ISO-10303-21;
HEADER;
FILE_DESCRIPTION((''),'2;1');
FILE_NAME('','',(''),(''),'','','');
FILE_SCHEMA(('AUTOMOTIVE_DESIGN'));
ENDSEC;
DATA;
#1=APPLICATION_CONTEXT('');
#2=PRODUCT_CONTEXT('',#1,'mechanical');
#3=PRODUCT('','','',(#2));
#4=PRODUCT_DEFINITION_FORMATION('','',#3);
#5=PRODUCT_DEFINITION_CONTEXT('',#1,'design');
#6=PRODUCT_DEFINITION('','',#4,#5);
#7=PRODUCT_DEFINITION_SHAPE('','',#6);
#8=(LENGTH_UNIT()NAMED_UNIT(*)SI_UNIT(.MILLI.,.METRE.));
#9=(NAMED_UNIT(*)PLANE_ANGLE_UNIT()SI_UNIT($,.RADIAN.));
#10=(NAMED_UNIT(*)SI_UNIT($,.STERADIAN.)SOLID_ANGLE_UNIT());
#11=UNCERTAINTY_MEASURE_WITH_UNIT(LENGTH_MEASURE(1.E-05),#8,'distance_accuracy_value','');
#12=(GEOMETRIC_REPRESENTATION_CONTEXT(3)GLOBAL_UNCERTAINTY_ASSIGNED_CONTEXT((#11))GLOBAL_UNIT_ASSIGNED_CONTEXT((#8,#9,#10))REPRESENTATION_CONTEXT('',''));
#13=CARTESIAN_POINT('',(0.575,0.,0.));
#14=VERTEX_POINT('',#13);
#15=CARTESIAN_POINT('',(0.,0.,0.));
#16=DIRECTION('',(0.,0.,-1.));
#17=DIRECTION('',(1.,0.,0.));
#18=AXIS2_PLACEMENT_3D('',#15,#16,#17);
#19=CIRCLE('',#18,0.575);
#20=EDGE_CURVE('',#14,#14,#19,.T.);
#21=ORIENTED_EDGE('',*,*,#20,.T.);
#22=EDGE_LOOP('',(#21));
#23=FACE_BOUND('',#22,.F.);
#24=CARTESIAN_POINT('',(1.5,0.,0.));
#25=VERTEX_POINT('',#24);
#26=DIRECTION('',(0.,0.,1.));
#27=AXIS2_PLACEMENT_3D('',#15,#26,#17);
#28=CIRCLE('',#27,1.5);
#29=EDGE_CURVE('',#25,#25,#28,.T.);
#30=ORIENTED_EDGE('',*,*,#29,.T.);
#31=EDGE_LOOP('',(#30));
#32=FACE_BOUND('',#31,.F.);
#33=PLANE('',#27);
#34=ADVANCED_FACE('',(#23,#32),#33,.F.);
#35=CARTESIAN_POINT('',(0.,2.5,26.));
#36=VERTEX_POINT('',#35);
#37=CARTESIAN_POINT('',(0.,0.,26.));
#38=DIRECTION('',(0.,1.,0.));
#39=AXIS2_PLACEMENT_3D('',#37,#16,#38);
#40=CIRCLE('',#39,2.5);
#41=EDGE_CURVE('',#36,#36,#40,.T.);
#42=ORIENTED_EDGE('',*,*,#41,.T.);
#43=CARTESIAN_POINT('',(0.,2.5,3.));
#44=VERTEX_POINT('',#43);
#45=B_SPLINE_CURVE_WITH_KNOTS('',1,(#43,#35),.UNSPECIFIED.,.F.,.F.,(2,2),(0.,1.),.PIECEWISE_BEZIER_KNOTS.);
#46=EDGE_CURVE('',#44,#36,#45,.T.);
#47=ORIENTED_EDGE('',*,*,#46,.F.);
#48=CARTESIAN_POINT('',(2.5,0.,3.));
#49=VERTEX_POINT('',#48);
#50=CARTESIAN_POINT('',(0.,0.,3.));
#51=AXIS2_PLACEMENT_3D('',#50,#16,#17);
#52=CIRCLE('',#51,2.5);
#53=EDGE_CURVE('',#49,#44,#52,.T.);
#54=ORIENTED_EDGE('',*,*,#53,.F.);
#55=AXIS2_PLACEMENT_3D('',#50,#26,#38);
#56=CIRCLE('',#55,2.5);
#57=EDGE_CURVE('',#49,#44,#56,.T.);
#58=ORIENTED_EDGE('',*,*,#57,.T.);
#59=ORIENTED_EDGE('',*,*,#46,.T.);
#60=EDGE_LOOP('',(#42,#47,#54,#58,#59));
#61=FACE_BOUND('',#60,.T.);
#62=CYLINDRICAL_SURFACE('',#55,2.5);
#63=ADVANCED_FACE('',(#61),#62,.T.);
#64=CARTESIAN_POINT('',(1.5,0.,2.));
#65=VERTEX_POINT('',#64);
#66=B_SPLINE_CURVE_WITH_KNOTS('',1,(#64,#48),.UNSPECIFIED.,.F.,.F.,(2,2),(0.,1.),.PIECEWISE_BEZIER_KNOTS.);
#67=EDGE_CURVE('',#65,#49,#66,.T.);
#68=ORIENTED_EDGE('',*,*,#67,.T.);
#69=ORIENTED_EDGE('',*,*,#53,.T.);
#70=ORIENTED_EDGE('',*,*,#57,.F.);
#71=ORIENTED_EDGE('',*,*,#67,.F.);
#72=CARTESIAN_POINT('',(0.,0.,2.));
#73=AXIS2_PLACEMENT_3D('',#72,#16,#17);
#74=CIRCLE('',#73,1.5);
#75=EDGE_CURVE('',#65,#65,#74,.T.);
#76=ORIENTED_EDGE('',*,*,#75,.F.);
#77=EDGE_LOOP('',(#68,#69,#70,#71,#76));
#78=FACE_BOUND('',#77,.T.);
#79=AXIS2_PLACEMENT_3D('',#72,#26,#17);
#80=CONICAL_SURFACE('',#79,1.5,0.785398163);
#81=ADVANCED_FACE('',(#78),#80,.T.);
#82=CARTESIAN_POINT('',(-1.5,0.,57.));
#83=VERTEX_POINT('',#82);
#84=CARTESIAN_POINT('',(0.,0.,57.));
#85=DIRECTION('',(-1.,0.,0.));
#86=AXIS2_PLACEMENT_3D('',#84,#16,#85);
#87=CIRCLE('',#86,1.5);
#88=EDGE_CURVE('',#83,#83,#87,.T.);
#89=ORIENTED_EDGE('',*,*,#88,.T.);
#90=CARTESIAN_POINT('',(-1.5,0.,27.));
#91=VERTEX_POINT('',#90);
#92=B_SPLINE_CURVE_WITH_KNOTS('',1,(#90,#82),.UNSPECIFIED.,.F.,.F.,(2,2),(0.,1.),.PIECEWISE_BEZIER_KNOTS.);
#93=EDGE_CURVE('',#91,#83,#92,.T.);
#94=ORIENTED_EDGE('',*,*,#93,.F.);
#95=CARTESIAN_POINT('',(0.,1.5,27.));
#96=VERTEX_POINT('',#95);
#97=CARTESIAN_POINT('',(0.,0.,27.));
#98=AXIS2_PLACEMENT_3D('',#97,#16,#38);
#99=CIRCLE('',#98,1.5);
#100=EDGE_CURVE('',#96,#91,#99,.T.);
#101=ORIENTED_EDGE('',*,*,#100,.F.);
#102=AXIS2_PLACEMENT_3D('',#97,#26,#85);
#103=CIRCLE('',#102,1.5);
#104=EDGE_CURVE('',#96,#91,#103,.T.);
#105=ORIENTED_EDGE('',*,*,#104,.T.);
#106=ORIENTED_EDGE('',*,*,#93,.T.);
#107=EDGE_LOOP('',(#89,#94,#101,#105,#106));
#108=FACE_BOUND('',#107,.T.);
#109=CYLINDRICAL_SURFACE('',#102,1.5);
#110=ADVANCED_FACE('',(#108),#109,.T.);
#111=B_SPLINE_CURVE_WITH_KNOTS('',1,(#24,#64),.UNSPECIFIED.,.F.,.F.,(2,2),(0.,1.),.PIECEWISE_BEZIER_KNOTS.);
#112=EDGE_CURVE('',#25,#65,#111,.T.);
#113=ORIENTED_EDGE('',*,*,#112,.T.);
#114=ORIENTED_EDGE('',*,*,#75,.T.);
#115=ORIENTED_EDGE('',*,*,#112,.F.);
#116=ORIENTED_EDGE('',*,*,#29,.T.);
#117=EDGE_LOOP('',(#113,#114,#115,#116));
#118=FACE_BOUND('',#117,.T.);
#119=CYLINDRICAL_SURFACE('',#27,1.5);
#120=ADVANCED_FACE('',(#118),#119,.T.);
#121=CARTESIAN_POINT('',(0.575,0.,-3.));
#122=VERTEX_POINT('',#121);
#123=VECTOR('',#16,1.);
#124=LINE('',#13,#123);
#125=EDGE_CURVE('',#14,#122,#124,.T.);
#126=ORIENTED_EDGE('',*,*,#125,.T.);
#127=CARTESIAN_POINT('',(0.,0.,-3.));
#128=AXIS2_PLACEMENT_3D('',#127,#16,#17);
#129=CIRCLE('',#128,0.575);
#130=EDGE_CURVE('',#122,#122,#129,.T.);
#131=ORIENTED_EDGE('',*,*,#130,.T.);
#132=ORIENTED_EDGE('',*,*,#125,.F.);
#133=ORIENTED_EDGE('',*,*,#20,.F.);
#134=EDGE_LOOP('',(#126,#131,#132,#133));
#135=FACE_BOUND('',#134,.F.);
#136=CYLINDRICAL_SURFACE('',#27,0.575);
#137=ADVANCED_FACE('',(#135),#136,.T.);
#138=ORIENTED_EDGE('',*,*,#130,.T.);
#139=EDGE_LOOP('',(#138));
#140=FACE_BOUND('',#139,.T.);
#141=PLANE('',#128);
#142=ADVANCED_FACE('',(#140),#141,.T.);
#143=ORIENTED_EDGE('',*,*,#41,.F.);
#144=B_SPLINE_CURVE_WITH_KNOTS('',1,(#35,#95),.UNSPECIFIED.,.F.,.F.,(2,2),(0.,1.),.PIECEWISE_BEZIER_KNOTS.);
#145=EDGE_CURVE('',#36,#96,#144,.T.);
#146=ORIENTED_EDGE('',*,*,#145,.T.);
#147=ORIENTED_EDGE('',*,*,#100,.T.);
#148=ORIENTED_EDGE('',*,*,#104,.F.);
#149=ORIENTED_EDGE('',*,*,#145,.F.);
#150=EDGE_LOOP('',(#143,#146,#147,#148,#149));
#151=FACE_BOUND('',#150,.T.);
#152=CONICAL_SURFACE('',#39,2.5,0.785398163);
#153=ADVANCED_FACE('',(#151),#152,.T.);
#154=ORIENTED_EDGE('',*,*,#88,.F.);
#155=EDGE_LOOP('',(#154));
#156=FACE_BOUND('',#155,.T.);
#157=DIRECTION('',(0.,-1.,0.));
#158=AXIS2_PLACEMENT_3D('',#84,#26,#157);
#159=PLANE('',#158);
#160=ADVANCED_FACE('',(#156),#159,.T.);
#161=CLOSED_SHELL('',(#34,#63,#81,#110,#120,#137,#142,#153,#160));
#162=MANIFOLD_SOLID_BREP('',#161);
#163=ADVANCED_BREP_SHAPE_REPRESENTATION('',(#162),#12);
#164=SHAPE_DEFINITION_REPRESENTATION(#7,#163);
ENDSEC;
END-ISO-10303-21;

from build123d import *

# Parameters (mm, degrees)
SKETCH_R    = 1.5
SKETCH001_R = 1.5
SKETCH002_R = 2.5
SKETCH003_R = 2.5
SKETCH004_R = 1.5
SKETCH005_R = 1.5
SKETCH006_R = 0.575
PAD_DEPTH   = 3


with BuildPart() as part:
    # Sketch → AdditiveLoft section 0
    with BuildSketch(Plane.XY):
        Circle(SKETCH_R)
    # Sketch001 (on DatumPlane) → AdditiveLoft section 1
    with BuildSketch(Plane.XY.offset(2)):
        Circle(SKETCH001_R)
    # Sketch002 (on DatumPlane) → AdditiveLoft section 2
    with BuildSketch(Plane(origin=(0, 0, 3), x_dir=(0, 1, 0), z_dir=(0, 0, 1))):
        Circle(SKETCH002_R)
    # Sketch003 (on DatumPlane) → AdditiveLoft section 3
    with BuildSketch(Plane(origin=(0, 0, 26), x_dir=(0, 1, 0), z_dir=(0, 0, 1))):
        Circle(SKETCH003_R)
    # Sketch004 (on DatumPlane) → AdditiveLoft section 4
    with BuildSketch(Plane(origin=(0, 0, 27), x_dir=(-1, 0, 0), z_dir=(0, 0, 1))):
        Circle(SKETCH004_R)
    # Sketch005 (on DatumPlane) → AdditiveLoft section 5
    with BuildSketch(Plane(origin=(0, 0, 57), x_dir=(0, -1, 0), z_dir=(0, 0, 1))):
        Circle(SKETCH005_R)
    loft(ruled=True)

    # Sketch006 (on Face1 of AdditiveLoft) → Pad (new body)
    with BuildSketch(Plane(origin=(0, 0, 0), x_dir=(1, 0, 0), z_dir=(0, 0, -1))):
        Circle(SKETCH006_R)
    extrude(amount=PAD_DEPTH)


solid = part.part
